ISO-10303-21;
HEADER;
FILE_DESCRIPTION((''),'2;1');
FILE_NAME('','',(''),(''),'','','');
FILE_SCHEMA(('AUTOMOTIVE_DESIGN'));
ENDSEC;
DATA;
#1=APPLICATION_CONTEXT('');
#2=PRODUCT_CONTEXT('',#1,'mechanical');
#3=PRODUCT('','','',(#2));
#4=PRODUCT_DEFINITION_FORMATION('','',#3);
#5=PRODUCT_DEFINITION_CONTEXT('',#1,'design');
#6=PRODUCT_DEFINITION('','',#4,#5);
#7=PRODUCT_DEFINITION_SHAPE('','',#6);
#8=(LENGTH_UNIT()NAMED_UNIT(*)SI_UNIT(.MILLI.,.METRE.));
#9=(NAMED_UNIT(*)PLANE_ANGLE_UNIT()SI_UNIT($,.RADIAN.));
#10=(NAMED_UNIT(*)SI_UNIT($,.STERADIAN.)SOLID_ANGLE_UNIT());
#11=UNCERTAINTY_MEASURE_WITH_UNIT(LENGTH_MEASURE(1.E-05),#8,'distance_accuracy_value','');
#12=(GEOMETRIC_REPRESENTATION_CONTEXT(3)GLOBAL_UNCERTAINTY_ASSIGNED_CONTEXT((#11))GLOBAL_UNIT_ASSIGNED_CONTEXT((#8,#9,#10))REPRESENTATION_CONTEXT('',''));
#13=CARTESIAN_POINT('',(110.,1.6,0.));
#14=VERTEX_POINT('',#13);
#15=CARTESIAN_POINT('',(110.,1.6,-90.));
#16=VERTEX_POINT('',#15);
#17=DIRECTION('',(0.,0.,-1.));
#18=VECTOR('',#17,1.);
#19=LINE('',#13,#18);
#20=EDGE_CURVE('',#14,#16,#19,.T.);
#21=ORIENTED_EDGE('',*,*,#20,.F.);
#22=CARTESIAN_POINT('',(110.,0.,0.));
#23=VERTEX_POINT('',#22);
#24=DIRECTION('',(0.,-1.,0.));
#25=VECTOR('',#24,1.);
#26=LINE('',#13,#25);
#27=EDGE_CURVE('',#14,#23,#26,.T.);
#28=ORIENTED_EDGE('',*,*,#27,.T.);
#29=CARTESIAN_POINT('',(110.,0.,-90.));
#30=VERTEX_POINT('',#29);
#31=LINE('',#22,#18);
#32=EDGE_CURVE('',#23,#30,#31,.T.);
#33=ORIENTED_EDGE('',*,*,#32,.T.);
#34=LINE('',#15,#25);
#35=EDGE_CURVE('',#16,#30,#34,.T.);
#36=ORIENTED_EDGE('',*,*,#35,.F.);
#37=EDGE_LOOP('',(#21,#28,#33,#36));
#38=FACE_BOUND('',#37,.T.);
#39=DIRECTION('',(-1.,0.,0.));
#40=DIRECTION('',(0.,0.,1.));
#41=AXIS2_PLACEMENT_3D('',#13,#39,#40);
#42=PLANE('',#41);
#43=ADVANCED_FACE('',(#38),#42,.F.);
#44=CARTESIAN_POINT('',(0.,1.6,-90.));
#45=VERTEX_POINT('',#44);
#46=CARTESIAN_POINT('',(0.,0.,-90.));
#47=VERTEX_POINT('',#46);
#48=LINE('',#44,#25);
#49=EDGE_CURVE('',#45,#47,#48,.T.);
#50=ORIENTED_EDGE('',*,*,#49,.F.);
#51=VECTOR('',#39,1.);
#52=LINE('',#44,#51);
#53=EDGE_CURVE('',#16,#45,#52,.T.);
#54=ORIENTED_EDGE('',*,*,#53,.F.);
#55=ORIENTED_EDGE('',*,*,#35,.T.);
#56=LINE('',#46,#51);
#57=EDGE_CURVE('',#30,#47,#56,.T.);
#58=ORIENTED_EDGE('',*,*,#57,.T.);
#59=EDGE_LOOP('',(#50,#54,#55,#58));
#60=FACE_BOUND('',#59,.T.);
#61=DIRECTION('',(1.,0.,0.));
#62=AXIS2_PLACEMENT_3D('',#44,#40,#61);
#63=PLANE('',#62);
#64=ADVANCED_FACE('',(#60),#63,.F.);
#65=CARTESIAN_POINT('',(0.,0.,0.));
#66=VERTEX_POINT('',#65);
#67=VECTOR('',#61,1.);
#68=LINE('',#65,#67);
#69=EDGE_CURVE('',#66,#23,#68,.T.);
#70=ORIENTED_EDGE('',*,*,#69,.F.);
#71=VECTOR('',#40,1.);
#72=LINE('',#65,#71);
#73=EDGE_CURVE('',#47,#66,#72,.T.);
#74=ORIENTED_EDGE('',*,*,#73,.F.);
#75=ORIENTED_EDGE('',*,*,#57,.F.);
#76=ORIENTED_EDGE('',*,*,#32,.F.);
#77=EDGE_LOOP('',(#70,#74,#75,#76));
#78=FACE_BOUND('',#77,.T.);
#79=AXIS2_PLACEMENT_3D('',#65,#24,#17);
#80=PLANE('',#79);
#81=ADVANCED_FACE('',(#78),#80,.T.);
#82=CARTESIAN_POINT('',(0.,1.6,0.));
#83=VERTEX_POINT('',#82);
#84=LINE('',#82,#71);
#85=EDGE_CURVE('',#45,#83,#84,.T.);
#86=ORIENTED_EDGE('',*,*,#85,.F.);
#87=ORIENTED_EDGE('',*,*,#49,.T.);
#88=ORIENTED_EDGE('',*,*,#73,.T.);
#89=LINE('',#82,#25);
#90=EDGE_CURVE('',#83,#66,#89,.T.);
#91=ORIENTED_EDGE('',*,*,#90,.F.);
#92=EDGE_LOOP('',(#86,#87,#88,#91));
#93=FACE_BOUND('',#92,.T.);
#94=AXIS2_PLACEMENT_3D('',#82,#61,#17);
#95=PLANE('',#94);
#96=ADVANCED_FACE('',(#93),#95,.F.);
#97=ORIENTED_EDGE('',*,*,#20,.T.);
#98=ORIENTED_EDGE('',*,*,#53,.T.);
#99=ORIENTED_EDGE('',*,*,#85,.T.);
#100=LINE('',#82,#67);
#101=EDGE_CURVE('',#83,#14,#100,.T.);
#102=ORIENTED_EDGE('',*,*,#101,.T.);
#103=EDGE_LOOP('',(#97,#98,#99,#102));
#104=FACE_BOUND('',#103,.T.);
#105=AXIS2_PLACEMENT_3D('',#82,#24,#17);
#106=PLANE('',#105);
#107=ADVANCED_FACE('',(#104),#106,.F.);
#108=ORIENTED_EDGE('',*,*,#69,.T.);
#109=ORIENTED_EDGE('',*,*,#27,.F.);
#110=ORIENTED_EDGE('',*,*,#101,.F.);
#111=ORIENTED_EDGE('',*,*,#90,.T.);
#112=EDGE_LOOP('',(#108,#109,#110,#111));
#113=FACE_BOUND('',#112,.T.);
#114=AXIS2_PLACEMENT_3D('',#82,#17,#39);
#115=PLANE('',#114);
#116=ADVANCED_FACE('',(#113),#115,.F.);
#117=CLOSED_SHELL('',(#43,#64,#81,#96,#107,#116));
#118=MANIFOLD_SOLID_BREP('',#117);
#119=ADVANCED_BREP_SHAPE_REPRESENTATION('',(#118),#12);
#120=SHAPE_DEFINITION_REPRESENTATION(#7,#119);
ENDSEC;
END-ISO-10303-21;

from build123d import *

# Parameters (mm, degrees)
SKETCH1_W           = 110
SKETCH1_H           = 90
BOSS_EXTRUDE1_DEPTH = 1.6


with BuildPart() as part:
    # Sketch1 → Boss-Extrude1 (new body)
    with BuildSketch(Plane(origin=(0, 0, 0), x_dir=(1, 0, 0), z_dir=(0, 1, 0))):
        with Locations((55, 45)):
            Rectangle(SKETCH1_W, SKETCH1_H)
    extrude(amount=BOSS_EXTRUDE1_DEPTH)


solid = part.part
